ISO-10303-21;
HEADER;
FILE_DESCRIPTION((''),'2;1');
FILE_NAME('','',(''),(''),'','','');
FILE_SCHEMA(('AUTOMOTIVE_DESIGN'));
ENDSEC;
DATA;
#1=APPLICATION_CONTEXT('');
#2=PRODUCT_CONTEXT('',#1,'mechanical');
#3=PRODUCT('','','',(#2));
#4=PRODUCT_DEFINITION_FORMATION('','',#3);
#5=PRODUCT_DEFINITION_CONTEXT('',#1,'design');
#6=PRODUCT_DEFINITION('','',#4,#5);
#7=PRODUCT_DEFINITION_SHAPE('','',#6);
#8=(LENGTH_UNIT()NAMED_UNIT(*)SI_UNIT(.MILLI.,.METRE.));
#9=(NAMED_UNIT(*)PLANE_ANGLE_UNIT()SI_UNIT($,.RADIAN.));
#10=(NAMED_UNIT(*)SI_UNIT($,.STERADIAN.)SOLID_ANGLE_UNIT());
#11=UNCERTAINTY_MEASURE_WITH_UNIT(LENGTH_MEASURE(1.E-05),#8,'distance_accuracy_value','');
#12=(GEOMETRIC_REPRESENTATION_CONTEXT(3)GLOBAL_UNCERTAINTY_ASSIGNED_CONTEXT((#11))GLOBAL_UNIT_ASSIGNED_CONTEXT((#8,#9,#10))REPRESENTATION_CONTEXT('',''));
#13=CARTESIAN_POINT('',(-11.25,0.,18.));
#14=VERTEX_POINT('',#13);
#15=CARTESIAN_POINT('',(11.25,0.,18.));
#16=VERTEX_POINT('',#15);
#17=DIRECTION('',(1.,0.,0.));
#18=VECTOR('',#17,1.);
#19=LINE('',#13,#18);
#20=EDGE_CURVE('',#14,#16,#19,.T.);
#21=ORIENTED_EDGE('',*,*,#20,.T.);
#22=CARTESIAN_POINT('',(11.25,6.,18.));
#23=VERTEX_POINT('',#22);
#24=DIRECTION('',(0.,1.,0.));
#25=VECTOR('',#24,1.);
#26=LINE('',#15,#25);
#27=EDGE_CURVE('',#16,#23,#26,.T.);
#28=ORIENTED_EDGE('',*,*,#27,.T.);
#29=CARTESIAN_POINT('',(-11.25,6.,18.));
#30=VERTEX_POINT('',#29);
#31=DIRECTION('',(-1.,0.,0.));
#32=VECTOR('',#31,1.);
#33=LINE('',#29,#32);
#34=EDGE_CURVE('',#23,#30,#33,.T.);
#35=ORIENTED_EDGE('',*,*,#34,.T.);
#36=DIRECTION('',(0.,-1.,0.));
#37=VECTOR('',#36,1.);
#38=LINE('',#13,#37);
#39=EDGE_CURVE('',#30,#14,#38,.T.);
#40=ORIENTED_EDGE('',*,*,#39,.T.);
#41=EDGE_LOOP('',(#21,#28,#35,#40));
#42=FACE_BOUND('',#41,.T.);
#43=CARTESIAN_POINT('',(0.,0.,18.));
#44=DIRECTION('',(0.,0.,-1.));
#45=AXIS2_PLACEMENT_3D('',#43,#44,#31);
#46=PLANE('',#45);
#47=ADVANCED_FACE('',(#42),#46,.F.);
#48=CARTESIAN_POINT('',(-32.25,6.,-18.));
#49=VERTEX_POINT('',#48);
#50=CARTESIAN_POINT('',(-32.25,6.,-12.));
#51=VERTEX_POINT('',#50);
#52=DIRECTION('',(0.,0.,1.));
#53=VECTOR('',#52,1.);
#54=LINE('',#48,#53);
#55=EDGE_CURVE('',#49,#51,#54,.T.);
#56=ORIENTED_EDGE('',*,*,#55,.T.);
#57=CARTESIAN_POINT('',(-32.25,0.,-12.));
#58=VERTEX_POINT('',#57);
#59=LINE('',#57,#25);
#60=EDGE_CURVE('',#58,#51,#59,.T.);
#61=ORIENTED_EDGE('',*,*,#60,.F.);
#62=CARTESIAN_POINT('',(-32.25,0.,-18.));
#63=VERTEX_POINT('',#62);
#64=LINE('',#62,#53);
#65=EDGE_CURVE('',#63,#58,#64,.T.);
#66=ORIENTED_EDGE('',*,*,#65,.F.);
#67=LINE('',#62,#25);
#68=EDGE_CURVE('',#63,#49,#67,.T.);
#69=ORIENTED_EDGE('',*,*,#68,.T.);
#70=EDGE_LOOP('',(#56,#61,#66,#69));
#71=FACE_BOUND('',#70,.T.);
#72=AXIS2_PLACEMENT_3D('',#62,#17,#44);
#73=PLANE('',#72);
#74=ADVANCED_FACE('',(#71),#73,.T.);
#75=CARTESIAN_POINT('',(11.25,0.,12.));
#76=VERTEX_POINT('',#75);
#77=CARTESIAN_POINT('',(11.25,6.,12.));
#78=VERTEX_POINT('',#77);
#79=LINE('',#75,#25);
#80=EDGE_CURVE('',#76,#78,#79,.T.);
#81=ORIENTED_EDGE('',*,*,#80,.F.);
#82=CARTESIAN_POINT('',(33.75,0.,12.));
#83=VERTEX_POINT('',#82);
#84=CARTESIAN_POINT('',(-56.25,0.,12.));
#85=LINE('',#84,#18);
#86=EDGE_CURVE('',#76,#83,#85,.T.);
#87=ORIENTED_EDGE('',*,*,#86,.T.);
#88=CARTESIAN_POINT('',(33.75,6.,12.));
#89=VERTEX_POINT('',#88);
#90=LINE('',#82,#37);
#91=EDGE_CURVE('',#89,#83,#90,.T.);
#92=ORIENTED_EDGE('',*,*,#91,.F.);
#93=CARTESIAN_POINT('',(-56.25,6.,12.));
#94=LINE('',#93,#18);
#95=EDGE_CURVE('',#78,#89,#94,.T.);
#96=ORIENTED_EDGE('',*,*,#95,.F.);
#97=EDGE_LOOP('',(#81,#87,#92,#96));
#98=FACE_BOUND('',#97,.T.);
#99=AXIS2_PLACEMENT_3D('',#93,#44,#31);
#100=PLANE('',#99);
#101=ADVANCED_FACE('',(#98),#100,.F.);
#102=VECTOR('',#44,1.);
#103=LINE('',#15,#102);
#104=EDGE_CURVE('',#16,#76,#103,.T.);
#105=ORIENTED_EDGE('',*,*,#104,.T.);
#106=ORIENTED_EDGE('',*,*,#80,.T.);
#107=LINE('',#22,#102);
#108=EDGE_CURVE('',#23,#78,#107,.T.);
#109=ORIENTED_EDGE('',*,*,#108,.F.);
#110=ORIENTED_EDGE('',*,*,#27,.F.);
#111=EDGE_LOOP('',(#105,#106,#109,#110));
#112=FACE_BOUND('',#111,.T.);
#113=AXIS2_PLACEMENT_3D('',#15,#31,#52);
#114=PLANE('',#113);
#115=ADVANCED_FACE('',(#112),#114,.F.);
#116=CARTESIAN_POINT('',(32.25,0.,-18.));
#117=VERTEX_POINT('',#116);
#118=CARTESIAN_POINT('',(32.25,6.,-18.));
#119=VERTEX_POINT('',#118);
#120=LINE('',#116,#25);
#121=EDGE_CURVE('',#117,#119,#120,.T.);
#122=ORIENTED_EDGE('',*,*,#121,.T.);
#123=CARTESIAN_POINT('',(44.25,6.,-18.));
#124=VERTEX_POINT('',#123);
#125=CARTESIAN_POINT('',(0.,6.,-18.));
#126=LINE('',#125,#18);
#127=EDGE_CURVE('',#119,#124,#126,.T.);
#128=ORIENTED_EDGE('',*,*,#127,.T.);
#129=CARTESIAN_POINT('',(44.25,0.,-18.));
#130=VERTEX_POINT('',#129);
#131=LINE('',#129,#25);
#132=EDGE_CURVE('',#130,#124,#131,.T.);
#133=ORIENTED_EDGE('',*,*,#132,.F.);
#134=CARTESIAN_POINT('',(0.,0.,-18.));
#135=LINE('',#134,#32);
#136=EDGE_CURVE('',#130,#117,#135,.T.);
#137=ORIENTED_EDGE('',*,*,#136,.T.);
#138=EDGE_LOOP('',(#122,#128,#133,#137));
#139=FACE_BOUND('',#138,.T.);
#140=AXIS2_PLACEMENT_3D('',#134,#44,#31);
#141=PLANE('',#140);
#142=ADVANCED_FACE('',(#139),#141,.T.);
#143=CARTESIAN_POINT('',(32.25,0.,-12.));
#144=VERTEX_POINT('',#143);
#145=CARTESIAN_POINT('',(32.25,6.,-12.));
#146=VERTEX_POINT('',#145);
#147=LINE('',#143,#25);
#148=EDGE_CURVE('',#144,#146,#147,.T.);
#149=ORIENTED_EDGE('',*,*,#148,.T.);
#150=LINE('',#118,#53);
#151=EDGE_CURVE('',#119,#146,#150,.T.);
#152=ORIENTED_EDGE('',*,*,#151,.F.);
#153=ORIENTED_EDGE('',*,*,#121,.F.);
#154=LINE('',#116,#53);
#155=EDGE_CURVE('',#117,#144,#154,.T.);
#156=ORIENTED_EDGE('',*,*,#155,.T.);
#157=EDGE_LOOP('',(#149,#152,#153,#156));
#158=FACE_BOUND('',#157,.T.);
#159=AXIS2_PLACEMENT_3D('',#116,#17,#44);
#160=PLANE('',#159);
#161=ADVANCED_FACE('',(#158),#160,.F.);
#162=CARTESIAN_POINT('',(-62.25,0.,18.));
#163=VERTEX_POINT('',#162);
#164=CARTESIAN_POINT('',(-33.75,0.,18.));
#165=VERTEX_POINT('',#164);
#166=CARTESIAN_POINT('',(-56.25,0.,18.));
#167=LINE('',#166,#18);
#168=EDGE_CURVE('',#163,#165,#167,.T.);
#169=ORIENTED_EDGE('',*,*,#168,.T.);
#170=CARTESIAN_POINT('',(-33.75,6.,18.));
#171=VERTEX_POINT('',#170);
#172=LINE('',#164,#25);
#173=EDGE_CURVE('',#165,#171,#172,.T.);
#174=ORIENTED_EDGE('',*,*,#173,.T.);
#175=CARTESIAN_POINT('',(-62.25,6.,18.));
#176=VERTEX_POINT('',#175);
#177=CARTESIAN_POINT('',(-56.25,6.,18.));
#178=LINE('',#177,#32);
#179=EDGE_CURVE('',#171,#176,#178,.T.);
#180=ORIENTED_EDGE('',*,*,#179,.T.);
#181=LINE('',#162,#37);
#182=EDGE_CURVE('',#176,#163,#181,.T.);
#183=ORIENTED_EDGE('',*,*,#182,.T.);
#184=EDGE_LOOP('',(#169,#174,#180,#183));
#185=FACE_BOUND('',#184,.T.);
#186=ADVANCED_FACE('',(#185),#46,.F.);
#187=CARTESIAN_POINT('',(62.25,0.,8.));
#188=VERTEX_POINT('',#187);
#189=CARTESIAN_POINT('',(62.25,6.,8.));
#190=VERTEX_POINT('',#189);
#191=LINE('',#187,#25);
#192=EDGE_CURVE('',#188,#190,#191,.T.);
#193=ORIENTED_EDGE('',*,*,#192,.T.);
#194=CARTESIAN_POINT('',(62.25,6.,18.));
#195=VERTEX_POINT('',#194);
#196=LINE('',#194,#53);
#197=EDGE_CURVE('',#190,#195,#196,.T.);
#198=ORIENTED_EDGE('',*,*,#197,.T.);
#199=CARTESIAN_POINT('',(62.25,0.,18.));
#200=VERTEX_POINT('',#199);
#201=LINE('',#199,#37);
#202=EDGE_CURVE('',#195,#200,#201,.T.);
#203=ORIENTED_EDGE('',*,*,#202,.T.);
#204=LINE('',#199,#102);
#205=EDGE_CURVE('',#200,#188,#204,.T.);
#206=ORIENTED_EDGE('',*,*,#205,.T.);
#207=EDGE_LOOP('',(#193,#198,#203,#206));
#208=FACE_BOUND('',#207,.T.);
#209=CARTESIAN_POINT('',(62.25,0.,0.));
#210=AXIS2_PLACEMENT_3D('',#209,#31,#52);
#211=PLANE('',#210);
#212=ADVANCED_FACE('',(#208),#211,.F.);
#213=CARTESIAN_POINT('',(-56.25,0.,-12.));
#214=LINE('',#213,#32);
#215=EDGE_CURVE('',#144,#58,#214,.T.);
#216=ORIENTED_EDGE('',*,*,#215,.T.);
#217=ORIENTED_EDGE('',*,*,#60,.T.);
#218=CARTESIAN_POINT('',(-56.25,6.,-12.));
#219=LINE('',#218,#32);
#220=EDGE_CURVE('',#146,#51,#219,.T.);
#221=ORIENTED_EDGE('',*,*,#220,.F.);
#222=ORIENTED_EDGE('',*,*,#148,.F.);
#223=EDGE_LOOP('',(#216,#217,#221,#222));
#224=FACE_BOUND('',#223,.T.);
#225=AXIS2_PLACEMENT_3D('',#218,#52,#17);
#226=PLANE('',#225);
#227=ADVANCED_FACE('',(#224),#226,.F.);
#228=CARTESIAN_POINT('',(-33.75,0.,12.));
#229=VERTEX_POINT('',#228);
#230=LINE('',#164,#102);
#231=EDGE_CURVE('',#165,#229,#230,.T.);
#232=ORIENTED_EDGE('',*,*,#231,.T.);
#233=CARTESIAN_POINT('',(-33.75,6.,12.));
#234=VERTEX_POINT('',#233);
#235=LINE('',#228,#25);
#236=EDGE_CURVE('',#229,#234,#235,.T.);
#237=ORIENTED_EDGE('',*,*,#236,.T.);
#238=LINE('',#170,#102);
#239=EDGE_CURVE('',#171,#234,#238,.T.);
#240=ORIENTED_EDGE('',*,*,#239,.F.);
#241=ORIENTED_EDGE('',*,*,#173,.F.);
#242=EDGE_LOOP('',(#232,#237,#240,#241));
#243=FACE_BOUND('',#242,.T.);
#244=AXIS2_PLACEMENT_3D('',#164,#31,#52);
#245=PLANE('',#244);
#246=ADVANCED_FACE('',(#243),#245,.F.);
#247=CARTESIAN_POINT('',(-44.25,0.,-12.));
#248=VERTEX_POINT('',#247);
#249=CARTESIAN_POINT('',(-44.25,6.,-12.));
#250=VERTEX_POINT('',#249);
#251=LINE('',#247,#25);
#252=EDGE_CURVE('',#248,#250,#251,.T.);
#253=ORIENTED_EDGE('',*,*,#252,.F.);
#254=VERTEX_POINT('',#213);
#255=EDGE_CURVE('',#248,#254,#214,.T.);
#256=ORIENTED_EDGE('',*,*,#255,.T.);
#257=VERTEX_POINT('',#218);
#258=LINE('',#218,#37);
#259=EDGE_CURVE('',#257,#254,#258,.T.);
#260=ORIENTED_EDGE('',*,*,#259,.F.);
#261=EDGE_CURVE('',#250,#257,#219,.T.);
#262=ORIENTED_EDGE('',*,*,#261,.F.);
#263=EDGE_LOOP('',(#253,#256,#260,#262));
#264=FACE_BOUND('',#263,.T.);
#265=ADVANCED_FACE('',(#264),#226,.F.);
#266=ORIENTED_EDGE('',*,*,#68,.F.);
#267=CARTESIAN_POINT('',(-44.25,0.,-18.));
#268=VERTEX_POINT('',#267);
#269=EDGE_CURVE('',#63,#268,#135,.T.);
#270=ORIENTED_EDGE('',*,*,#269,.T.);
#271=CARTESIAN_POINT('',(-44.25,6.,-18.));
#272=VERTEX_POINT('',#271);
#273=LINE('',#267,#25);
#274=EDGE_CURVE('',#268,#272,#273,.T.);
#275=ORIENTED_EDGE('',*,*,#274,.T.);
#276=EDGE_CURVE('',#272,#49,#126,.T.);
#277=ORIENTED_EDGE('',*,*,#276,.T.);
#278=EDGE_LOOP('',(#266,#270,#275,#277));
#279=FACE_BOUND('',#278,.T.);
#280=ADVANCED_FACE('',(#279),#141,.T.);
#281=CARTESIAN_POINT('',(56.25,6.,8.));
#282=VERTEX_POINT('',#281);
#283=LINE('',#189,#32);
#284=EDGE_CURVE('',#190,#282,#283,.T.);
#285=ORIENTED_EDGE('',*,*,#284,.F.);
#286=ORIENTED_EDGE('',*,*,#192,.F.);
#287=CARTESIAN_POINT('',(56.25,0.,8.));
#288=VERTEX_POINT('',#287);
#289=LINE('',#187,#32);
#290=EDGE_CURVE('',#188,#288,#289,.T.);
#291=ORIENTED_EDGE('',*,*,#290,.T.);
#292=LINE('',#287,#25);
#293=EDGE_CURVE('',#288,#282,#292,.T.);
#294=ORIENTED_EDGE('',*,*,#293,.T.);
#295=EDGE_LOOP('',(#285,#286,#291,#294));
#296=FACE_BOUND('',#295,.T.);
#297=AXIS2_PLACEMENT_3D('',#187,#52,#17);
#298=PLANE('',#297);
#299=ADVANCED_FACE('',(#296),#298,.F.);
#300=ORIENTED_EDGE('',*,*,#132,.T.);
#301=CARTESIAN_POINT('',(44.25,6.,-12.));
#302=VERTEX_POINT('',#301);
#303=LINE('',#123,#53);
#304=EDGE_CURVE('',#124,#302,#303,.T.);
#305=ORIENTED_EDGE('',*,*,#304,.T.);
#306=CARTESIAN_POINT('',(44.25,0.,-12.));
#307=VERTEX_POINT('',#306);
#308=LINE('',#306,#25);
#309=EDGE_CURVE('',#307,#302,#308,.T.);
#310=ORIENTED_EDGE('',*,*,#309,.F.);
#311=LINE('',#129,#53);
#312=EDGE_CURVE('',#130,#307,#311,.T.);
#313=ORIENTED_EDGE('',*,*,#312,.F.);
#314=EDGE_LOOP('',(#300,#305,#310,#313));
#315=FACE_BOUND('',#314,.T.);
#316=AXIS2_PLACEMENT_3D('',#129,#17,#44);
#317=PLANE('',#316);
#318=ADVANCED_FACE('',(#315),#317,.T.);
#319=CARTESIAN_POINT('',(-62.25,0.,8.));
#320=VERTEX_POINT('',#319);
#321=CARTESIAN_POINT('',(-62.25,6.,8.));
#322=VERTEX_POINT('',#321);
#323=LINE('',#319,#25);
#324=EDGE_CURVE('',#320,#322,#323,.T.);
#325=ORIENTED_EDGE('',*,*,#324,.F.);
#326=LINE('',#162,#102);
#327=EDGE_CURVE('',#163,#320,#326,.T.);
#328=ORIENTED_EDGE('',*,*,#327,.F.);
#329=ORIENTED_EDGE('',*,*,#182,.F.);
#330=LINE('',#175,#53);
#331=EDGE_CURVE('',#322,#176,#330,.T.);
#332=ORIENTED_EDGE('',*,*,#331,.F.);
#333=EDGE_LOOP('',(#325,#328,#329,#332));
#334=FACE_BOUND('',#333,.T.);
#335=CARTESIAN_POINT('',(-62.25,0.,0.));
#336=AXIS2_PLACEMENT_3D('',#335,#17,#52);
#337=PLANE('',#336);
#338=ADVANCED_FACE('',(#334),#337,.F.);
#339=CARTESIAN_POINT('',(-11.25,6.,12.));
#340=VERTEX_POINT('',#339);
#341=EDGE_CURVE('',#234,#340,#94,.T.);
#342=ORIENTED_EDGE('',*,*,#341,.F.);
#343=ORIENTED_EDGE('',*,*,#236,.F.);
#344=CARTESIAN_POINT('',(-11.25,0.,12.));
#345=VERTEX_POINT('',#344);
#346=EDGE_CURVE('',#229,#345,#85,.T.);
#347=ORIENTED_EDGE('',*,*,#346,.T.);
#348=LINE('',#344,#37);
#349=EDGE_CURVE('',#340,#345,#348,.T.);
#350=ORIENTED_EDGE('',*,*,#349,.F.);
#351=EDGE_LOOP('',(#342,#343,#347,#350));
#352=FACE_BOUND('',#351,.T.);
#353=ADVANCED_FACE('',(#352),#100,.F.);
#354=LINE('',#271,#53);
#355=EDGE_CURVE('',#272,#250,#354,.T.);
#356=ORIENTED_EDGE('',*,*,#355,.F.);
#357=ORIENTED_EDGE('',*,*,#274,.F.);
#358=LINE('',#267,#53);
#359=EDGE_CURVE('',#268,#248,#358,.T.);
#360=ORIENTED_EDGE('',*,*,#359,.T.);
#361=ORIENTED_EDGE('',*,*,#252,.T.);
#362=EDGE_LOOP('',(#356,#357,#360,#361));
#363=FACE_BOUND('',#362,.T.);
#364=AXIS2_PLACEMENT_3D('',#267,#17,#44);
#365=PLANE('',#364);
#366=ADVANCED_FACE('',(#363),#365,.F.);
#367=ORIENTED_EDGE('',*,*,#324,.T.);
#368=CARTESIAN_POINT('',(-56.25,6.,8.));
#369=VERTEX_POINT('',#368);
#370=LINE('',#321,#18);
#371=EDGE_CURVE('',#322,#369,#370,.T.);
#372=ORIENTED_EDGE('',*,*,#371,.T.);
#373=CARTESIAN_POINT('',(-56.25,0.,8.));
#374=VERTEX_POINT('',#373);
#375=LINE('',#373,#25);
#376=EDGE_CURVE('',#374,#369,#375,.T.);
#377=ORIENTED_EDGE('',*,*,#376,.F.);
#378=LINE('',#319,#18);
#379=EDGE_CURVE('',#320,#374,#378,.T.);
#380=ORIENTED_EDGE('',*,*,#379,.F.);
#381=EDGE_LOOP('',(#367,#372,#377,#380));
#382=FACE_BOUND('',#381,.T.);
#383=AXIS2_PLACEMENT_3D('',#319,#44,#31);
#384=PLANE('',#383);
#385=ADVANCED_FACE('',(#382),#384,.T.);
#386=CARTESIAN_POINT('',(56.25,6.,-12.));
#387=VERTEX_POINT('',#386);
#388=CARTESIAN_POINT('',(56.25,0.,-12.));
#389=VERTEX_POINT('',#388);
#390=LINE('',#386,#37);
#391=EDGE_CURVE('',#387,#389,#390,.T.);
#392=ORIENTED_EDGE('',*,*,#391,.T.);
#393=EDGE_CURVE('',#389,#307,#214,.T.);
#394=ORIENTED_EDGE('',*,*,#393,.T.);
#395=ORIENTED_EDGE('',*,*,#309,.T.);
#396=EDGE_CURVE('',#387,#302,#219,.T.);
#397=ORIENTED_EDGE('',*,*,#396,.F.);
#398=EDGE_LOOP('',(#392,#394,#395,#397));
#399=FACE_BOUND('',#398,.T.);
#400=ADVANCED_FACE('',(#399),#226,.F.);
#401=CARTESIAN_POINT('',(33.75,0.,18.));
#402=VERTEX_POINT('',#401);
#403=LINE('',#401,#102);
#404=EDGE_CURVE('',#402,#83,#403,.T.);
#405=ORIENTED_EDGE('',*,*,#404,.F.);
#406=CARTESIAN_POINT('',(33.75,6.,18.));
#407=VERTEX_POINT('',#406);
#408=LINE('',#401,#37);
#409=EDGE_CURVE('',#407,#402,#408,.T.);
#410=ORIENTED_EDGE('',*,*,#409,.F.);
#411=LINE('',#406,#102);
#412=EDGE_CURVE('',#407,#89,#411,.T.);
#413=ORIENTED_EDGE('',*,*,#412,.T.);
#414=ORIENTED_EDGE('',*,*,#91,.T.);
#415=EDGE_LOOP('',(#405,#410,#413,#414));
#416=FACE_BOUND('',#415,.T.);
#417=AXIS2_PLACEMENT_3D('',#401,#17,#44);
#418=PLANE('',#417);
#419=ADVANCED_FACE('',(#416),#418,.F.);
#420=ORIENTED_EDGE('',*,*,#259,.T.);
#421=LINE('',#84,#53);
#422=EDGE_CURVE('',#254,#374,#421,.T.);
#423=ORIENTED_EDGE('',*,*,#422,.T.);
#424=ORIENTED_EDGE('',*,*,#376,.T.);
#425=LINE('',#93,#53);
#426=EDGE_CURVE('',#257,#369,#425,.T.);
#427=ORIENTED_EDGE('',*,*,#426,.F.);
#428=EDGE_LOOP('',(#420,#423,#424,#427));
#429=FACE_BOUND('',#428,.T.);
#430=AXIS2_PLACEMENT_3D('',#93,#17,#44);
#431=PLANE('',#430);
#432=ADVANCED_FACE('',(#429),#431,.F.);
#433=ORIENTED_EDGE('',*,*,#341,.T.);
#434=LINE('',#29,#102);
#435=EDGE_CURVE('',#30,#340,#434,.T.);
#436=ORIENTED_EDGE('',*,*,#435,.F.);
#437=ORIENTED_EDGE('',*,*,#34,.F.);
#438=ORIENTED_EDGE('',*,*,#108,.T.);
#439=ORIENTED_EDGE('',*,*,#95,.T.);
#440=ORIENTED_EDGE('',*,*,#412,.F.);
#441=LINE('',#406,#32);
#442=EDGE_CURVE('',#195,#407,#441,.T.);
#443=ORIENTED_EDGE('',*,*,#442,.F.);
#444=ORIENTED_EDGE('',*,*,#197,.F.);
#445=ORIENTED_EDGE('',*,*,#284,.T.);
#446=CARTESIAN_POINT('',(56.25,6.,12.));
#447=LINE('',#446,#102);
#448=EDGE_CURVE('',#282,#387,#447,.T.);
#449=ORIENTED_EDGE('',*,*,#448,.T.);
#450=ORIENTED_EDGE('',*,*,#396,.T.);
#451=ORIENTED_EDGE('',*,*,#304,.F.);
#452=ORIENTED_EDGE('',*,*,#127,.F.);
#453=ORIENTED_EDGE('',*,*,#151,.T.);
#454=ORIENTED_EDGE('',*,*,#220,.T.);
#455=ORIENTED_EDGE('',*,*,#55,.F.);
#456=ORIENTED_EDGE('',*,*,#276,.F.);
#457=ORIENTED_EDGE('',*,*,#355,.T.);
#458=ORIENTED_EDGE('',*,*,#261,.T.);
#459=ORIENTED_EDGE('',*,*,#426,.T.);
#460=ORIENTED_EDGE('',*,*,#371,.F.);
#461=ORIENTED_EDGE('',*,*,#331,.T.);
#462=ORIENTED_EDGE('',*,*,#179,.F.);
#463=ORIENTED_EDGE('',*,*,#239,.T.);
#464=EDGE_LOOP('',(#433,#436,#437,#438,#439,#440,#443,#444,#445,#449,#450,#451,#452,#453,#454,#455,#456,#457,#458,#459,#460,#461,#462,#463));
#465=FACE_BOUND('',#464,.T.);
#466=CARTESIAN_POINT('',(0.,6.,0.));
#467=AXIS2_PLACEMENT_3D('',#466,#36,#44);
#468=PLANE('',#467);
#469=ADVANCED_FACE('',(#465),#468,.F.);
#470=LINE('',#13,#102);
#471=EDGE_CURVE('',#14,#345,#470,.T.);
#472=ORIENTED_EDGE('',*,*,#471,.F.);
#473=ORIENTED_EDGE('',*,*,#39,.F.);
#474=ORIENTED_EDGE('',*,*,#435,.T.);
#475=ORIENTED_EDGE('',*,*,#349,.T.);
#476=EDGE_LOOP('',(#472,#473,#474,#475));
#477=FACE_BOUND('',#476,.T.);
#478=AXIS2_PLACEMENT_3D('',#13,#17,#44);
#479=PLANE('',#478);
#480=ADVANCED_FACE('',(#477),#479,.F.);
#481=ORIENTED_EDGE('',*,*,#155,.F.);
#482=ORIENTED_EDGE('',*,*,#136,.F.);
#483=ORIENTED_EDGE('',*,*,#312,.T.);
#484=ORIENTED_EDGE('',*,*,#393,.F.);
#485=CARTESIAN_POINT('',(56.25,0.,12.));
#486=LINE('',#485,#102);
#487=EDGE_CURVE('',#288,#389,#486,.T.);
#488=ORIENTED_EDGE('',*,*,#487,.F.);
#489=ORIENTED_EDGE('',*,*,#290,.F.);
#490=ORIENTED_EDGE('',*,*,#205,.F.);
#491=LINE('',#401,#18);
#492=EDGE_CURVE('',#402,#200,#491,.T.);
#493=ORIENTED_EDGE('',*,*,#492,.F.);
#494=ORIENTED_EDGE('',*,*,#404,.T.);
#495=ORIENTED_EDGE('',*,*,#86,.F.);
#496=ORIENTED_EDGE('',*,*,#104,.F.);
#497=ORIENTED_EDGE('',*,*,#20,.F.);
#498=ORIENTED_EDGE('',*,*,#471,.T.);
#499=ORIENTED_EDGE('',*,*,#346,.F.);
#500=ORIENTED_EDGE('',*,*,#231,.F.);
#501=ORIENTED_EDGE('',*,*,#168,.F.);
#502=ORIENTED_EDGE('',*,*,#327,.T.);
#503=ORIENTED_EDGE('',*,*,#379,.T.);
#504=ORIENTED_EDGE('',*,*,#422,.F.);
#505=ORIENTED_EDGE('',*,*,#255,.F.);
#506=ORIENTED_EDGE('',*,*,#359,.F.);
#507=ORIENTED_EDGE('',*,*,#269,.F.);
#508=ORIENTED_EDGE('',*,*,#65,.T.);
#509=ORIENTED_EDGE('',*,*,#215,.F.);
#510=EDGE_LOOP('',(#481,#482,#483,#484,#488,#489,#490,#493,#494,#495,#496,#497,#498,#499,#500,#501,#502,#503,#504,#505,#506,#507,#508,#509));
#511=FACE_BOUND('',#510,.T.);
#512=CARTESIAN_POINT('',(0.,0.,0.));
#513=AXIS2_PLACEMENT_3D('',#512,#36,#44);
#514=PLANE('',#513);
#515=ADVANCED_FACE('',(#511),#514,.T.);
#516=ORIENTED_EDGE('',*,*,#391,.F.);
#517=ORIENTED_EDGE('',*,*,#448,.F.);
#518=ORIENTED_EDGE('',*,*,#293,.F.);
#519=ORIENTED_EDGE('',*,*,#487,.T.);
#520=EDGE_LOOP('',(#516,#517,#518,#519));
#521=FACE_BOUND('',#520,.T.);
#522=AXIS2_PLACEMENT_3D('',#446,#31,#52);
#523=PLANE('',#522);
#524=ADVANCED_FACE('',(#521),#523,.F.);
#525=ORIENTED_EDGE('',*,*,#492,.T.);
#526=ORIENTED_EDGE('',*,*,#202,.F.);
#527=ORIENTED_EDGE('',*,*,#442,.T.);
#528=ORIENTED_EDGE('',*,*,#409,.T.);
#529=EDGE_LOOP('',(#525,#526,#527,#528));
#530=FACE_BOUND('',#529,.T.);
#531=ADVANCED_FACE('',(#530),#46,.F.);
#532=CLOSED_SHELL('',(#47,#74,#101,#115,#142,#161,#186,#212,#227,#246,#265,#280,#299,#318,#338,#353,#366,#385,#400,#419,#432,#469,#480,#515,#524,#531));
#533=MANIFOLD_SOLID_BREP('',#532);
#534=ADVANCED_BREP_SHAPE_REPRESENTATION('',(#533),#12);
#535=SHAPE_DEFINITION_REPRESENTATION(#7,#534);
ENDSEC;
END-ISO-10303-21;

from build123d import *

# Parameters (mm, degrees)
SKETCH1_W           = 112.5
SKETCH1_H           = 24
BOSS_EXTRUDE1_DEPTH = 6
SKETCH2_W           = 22.5
SKETCH2_H           = 6
BOSS_EXTRUDE2_DEPTH = 6
SKETCH3_W           = 10
SKETCH3_H           = 6
BOSS_EXTRUDE3_DEPTH = 6
SKETCH4_W           = 12
SKETCH4_H           = 6
BOSS_EXTRUDE4_DEPTH = 6


with BuildPart() as part:
    # Sketch1 → Boss-Extrude1 (new body)
    with BuildSketch(Plane(origin=(0, 0, 0), x_dir=(1, 0, 0), z_dir=(0, 1, 0))):
        Rectangle(SKETCH1_W, SKETCH1_H)
    extrude(amount=BOSS_EXTRUDE1_DEPTH)

    # Sketch2 → Boss-Extrude2 (add)
    with BuildSketch(Plane.XY.offset(12)):
        with Locations((-45, 3)):
            Rectangle(SKETCH2_W, SKETCH2_H)
        with Locations((0, 3)):
            Rectangle(SKETCH2_W, SKETCH2_H)
        with Locations((45, 3)):
            Rectangle(SKETCH2_W, SKETCH2_H)
    extrude(amount=BOSS_EXTRUDE2_DEPTH)

    # Sketch3 → Boss-Extrude3 (add)
    with BuildSketch(Plane(origin=(56.25, 0, 0), x_dir=(0, 0, -1), z_dir=(1, 0, 0))):
        with Locations((-13, 3)):
            Rectangle(SKETCH3_W, SKETCH3_H)
    boss_extrude3 = extrude(amount=BOSS_EXTRUDE3_DEPTH)

    # Mirror1: Boss-Extrude3 across plane
    add(boss_extrude3.mirror(Plane(origin=(0, 0, 0), x_dir=(0, 0, 1), z_dir=(1, 0, 0))))

    # Sketch4 → Boss-Extrude4 (add)
    with BuildSketch(Plane(origin=(0, 0, -12), x_dir=(-1, 0, 0), z_dir=(0, 0, -1))):
        with Locations((-38.25, 3)):
            Rectangle(SKETCH4_W, SKETCH4_H)
        with Locations((38.25, 3)):
            Rectangle(SKETCH4_W, SKETCH4_H)
    extrude(amount=BOSS_EXTRUDE4_DEPTH)


solid = part.part
